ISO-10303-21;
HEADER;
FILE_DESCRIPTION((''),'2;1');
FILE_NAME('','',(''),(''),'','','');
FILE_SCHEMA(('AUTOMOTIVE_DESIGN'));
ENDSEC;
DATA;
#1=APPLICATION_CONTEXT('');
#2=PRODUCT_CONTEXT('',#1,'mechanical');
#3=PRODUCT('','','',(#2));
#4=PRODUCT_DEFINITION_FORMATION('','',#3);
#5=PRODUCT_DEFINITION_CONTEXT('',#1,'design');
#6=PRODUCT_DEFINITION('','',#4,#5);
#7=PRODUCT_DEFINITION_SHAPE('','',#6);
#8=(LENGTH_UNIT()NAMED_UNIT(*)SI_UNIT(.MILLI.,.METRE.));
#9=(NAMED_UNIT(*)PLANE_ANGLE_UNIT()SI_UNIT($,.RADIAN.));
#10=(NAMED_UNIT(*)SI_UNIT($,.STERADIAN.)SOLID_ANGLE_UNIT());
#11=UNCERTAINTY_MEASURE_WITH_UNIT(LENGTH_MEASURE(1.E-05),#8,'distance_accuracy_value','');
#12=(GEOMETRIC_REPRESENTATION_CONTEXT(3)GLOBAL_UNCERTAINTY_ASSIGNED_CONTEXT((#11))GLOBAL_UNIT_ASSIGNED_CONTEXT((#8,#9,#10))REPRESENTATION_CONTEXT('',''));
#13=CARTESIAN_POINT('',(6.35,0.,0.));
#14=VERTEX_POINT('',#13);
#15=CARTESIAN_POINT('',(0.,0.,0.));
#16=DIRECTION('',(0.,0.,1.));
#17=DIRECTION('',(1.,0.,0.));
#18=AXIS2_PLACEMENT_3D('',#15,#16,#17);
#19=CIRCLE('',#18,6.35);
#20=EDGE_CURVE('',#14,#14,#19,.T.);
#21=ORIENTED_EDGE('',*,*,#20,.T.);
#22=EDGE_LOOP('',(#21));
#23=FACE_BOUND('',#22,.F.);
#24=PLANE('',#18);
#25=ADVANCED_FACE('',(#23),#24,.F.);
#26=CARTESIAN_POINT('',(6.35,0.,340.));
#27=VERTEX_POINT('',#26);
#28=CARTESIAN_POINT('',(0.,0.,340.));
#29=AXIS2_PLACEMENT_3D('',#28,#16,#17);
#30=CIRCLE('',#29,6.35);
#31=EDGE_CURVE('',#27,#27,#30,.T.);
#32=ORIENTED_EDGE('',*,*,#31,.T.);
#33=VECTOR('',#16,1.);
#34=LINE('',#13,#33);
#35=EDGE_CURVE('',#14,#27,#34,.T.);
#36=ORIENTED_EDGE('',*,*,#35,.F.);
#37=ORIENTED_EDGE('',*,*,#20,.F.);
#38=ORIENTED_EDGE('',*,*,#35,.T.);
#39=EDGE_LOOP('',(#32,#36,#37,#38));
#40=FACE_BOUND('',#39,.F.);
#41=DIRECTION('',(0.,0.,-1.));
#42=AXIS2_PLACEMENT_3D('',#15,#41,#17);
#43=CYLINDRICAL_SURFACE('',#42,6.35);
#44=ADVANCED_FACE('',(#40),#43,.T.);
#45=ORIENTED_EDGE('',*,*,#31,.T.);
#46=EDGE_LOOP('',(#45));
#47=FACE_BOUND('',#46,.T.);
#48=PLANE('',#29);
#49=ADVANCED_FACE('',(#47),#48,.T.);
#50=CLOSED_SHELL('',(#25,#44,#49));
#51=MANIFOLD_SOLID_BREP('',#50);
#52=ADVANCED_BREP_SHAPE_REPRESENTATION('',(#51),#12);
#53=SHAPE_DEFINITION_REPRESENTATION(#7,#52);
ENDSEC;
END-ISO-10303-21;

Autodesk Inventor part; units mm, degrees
ref_plane "YZ Plane" through (0, 0, 0) normal (1, 0, 0) x (0, 1, 0)
ref_plane "XZ Plane" through (0, 0, 0) normal (0, 1, 0) x (-1, 0, 0)
ref_plane "XY Plane" through (0, 0, 0) normal (0, 0, 1) x (1, 0, 0)
sketch "Sketch1" plane through (0, 0, 0) normal (0, 0, 1) x (1, 0, 0)
  circle A0 centre (0, 0) radius 6.35
  dimension "d0" = 12.7
extrude "Extrusion1" add sketch "Sketch1" along normal blind 340
properties part number "Axle 3"
